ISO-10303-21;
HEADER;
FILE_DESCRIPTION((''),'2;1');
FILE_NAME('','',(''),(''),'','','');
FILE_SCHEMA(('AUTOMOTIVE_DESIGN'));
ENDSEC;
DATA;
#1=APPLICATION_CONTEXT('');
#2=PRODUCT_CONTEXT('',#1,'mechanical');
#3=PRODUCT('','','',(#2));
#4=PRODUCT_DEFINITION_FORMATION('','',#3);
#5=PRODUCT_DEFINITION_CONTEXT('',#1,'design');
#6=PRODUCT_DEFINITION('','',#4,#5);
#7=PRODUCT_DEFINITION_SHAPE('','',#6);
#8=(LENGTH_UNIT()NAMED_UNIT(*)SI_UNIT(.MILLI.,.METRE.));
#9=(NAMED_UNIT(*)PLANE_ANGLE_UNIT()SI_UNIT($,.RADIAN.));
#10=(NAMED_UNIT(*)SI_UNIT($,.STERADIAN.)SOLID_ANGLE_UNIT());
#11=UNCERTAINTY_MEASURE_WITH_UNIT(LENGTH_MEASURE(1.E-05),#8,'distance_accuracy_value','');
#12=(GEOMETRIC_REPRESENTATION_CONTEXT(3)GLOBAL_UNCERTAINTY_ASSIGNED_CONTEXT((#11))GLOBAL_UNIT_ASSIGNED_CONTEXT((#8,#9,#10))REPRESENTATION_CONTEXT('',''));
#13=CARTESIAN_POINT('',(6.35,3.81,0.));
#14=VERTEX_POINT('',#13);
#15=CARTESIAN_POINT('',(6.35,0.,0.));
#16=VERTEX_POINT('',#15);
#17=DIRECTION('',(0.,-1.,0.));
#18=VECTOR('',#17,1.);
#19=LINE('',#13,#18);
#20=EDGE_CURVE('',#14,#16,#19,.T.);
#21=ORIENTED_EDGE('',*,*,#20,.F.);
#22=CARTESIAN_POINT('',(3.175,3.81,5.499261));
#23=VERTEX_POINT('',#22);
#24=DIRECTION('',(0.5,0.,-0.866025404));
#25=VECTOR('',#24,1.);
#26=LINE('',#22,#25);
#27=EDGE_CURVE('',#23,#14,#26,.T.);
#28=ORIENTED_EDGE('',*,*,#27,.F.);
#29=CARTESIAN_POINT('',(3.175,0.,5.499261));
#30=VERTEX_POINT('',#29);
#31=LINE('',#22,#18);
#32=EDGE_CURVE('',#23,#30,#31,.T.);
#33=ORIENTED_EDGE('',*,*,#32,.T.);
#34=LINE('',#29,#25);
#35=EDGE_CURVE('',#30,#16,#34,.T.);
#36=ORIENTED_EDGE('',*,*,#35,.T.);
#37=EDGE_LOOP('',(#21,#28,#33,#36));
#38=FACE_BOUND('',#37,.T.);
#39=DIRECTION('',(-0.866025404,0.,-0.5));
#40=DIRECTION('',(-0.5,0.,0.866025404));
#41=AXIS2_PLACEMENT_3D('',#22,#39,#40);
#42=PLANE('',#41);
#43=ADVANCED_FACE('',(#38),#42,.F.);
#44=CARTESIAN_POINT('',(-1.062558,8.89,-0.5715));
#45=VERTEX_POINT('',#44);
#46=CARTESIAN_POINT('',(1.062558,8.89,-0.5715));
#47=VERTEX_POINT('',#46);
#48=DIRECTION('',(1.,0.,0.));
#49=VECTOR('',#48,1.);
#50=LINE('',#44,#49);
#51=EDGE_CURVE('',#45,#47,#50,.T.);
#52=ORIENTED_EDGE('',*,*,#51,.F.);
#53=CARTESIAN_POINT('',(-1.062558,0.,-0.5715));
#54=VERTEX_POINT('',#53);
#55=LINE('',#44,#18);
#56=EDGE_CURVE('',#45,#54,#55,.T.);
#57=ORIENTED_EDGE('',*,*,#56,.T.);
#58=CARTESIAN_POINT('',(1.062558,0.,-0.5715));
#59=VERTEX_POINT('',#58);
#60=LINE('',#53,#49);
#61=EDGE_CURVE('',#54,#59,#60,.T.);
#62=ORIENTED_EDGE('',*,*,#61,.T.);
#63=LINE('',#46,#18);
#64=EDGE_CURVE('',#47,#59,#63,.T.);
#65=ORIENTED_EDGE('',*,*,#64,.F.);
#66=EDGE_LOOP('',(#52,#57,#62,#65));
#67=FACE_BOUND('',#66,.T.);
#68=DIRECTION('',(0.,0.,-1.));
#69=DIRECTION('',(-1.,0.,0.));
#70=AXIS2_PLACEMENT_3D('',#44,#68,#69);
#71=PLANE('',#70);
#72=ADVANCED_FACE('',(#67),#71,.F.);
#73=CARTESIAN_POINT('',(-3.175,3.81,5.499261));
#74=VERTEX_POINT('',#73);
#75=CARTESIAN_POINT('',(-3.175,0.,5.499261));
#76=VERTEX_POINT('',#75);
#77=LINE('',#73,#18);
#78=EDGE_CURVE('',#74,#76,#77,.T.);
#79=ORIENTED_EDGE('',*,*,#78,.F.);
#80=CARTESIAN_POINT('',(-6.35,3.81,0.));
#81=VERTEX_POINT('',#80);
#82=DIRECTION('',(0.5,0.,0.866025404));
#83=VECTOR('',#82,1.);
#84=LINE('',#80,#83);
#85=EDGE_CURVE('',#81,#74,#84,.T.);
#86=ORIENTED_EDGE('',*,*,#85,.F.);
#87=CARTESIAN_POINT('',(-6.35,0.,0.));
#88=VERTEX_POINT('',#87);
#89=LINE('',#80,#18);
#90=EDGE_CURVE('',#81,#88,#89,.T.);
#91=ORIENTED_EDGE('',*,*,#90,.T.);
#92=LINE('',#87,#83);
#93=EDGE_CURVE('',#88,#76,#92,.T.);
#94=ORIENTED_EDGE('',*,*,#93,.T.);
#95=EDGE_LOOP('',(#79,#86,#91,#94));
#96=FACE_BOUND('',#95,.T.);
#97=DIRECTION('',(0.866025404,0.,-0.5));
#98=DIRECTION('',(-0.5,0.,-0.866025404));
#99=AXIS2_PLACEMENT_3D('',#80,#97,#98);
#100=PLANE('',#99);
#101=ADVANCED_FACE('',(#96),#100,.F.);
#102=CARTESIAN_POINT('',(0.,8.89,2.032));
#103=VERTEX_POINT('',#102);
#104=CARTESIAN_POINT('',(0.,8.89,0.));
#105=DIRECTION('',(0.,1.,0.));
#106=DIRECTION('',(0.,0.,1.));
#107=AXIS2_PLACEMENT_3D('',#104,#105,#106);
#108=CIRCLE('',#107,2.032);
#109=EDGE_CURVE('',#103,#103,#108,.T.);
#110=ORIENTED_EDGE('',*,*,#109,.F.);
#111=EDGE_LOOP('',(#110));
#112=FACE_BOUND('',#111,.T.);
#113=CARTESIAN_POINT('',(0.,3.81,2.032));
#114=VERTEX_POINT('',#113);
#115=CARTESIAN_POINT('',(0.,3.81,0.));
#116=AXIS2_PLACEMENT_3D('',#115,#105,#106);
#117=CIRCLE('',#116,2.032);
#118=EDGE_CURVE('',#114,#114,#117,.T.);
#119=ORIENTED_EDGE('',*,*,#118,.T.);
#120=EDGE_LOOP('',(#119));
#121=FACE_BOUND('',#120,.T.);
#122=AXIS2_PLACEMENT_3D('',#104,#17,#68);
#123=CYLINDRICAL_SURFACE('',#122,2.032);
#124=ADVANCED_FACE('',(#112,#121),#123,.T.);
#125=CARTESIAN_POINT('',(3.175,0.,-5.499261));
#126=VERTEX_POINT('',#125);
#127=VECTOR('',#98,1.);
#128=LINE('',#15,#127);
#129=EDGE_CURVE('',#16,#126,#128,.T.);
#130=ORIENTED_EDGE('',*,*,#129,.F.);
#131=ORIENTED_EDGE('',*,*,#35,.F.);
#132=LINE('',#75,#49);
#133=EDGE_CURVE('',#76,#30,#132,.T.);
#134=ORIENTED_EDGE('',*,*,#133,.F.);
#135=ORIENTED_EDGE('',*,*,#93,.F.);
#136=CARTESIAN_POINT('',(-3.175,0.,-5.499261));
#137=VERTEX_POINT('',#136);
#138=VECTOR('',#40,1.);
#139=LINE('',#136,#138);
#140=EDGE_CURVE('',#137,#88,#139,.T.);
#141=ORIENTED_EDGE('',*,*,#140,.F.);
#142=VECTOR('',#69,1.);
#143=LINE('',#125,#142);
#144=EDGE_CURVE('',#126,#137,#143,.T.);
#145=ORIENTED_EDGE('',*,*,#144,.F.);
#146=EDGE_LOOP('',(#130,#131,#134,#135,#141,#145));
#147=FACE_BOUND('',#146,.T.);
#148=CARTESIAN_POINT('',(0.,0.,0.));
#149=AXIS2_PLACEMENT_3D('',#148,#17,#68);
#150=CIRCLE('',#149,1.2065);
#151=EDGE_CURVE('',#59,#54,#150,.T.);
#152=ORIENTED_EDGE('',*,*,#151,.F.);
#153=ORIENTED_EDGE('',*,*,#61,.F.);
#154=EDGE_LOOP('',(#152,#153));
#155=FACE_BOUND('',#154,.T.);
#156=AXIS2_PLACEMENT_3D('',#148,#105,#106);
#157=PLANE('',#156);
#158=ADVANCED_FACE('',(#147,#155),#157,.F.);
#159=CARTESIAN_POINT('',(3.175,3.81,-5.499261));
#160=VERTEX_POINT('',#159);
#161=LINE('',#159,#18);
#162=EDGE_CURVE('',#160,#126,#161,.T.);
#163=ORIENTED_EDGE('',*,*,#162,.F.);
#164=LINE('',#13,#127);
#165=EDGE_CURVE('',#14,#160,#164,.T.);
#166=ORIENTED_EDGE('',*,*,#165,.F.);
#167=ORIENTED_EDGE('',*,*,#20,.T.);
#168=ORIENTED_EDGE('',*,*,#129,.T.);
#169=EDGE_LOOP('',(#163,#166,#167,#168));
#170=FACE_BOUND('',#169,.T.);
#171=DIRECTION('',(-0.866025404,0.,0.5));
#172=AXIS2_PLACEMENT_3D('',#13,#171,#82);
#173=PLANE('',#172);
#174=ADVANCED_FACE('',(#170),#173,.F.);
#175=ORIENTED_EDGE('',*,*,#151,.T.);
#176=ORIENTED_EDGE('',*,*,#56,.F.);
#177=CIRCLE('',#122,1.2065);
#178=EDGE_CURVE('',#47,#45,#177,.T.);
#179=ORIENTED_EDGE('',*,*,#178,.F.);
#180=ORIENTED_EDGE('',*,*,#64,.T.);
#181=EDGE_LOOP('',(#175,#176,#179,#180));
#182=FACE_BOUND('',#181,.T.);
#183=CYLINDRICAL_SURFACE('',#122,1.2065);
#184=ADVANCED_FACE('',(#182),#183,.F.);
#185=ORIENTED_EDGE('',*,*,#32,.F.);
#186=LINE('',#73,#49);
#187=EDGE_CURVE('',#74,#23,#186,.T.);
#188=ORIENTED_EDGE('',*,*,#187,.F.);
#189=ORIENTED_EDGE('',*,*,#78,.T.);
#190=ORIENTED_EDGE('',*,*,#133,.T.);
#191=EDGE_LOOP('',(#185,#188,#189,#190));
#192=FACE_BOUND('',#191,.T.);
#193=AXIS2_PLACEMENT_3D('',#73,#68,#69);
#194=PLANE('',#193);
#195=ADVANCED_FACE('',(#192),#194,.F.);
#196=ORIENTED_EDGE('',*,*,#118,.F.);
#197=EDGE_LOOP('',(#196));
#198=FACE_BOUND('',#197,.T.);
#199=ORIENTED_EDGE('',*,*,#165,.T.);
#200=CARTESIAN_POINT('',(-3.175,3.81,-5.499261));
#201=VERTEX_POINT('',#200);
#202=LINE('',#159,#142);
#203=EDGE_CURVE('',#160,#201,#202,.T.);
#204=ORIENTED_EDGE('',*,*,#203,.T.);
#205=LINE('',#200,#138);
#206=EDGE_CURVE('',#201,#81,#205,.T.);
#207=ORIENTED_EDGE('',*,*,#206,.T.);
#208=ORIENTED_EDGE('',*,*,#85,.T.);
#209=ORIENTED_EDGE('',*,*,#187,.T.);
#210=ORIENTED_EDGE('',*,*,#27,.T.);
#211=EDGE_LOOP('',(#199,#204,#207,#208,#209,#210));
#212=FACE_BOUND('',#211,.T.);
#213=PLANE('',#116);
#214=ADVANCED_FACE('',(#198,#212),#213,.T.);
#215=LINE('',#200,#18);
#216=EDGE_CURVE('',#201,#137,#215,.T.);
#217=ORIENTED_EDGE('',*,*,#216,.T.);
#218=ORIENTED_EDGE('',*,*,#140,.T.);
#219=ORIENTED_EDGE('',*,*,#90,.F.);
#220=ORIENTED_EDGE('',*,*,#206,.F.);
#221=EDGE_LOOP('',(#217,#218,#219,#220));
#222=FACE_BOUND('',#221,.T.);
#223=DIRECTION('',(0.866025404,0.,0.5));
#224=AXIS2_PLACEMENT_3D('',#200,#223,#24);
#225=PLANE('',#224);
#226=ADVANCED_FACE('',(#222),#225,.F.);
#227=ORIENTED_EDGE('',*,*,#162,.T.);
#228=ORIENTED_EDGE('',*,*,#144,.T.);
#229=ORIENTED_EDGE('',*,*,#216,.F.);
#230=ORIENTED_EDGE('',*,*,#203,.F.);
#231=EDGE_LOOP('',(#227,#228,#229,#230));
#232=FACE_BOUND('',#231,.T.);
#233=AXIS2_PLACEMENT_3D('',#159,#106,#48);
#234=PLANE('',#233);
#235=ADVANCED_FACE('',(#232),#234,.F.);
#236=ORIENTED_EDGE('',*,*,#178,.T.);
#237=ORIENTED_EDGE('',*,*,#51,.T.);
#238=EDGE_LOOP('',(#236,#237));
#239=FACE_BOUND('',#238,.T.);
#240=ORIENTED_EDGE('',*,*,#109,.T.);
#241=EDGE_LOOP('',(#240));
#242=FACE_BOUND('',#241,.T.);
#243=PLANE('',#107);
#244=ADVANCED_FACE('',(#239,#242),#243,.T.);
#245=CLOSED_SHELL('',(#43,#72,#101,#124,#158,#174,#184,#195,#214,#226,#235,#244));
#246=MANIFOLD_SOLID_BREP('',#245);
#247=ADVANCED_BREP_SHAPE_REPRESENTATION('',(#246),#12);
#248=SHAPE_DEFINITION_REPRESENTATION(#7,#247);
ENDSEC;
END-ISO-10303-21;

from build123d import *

# Parameters (mm, degrees)
BOSS_EXTRUDE1_DEPTH = 3.81
SKETCH2_R           = 2.032
BOSS_EXTRUDE2_DEPTH = 5.08
CUT_EXTRUDE1_DEPTH  = 9.89


with BuildPart() as part:
    # Sketch1 → Boss-Extrude1 (new body)
    with BuildSketch(Plane(origin=(0, 0, 0), x_dir=(1, 0, 0), z_dir=(0, 1, 0))):
        Polygon((6.35, 0), (3.175, 5.499261314), (-3.175, 5.499261314), (-6.35, 0), (-3.175, -5.499261314), (3.175, -5.499261314), align=None)
    extrude(amount=BOSS_EXTRUDE1_DEPTH)

    # Sketch2 → Boss-Extrude2 (add)
    with BuildSketch(Plane(origin=(0, 3.81, 0), x_dir=(1, 0, 0), z_dir=(0, 1, 0))):
        Circle(SKETCH2_R)
    extrude(amount=BOSS_EXTRUDE2_DEPTH)

    # Sketch3 → Cut-Extrude1 (cut, through all)
    with BuildSketch(Plane.XZ):
        with BuildLine():
            Line((-1.062558234, -0.5715), (1.062558234, -0.5715))
            ThreePointArc((1.062558234, -0.5715), (0, 1.2065), (-1.062558234, -0.5715))
        make_face()
    extrude(amount=-CUT_EXTRUDE1_DEPTH, mode=Mode.SUBTRACT)


solid = part.part
